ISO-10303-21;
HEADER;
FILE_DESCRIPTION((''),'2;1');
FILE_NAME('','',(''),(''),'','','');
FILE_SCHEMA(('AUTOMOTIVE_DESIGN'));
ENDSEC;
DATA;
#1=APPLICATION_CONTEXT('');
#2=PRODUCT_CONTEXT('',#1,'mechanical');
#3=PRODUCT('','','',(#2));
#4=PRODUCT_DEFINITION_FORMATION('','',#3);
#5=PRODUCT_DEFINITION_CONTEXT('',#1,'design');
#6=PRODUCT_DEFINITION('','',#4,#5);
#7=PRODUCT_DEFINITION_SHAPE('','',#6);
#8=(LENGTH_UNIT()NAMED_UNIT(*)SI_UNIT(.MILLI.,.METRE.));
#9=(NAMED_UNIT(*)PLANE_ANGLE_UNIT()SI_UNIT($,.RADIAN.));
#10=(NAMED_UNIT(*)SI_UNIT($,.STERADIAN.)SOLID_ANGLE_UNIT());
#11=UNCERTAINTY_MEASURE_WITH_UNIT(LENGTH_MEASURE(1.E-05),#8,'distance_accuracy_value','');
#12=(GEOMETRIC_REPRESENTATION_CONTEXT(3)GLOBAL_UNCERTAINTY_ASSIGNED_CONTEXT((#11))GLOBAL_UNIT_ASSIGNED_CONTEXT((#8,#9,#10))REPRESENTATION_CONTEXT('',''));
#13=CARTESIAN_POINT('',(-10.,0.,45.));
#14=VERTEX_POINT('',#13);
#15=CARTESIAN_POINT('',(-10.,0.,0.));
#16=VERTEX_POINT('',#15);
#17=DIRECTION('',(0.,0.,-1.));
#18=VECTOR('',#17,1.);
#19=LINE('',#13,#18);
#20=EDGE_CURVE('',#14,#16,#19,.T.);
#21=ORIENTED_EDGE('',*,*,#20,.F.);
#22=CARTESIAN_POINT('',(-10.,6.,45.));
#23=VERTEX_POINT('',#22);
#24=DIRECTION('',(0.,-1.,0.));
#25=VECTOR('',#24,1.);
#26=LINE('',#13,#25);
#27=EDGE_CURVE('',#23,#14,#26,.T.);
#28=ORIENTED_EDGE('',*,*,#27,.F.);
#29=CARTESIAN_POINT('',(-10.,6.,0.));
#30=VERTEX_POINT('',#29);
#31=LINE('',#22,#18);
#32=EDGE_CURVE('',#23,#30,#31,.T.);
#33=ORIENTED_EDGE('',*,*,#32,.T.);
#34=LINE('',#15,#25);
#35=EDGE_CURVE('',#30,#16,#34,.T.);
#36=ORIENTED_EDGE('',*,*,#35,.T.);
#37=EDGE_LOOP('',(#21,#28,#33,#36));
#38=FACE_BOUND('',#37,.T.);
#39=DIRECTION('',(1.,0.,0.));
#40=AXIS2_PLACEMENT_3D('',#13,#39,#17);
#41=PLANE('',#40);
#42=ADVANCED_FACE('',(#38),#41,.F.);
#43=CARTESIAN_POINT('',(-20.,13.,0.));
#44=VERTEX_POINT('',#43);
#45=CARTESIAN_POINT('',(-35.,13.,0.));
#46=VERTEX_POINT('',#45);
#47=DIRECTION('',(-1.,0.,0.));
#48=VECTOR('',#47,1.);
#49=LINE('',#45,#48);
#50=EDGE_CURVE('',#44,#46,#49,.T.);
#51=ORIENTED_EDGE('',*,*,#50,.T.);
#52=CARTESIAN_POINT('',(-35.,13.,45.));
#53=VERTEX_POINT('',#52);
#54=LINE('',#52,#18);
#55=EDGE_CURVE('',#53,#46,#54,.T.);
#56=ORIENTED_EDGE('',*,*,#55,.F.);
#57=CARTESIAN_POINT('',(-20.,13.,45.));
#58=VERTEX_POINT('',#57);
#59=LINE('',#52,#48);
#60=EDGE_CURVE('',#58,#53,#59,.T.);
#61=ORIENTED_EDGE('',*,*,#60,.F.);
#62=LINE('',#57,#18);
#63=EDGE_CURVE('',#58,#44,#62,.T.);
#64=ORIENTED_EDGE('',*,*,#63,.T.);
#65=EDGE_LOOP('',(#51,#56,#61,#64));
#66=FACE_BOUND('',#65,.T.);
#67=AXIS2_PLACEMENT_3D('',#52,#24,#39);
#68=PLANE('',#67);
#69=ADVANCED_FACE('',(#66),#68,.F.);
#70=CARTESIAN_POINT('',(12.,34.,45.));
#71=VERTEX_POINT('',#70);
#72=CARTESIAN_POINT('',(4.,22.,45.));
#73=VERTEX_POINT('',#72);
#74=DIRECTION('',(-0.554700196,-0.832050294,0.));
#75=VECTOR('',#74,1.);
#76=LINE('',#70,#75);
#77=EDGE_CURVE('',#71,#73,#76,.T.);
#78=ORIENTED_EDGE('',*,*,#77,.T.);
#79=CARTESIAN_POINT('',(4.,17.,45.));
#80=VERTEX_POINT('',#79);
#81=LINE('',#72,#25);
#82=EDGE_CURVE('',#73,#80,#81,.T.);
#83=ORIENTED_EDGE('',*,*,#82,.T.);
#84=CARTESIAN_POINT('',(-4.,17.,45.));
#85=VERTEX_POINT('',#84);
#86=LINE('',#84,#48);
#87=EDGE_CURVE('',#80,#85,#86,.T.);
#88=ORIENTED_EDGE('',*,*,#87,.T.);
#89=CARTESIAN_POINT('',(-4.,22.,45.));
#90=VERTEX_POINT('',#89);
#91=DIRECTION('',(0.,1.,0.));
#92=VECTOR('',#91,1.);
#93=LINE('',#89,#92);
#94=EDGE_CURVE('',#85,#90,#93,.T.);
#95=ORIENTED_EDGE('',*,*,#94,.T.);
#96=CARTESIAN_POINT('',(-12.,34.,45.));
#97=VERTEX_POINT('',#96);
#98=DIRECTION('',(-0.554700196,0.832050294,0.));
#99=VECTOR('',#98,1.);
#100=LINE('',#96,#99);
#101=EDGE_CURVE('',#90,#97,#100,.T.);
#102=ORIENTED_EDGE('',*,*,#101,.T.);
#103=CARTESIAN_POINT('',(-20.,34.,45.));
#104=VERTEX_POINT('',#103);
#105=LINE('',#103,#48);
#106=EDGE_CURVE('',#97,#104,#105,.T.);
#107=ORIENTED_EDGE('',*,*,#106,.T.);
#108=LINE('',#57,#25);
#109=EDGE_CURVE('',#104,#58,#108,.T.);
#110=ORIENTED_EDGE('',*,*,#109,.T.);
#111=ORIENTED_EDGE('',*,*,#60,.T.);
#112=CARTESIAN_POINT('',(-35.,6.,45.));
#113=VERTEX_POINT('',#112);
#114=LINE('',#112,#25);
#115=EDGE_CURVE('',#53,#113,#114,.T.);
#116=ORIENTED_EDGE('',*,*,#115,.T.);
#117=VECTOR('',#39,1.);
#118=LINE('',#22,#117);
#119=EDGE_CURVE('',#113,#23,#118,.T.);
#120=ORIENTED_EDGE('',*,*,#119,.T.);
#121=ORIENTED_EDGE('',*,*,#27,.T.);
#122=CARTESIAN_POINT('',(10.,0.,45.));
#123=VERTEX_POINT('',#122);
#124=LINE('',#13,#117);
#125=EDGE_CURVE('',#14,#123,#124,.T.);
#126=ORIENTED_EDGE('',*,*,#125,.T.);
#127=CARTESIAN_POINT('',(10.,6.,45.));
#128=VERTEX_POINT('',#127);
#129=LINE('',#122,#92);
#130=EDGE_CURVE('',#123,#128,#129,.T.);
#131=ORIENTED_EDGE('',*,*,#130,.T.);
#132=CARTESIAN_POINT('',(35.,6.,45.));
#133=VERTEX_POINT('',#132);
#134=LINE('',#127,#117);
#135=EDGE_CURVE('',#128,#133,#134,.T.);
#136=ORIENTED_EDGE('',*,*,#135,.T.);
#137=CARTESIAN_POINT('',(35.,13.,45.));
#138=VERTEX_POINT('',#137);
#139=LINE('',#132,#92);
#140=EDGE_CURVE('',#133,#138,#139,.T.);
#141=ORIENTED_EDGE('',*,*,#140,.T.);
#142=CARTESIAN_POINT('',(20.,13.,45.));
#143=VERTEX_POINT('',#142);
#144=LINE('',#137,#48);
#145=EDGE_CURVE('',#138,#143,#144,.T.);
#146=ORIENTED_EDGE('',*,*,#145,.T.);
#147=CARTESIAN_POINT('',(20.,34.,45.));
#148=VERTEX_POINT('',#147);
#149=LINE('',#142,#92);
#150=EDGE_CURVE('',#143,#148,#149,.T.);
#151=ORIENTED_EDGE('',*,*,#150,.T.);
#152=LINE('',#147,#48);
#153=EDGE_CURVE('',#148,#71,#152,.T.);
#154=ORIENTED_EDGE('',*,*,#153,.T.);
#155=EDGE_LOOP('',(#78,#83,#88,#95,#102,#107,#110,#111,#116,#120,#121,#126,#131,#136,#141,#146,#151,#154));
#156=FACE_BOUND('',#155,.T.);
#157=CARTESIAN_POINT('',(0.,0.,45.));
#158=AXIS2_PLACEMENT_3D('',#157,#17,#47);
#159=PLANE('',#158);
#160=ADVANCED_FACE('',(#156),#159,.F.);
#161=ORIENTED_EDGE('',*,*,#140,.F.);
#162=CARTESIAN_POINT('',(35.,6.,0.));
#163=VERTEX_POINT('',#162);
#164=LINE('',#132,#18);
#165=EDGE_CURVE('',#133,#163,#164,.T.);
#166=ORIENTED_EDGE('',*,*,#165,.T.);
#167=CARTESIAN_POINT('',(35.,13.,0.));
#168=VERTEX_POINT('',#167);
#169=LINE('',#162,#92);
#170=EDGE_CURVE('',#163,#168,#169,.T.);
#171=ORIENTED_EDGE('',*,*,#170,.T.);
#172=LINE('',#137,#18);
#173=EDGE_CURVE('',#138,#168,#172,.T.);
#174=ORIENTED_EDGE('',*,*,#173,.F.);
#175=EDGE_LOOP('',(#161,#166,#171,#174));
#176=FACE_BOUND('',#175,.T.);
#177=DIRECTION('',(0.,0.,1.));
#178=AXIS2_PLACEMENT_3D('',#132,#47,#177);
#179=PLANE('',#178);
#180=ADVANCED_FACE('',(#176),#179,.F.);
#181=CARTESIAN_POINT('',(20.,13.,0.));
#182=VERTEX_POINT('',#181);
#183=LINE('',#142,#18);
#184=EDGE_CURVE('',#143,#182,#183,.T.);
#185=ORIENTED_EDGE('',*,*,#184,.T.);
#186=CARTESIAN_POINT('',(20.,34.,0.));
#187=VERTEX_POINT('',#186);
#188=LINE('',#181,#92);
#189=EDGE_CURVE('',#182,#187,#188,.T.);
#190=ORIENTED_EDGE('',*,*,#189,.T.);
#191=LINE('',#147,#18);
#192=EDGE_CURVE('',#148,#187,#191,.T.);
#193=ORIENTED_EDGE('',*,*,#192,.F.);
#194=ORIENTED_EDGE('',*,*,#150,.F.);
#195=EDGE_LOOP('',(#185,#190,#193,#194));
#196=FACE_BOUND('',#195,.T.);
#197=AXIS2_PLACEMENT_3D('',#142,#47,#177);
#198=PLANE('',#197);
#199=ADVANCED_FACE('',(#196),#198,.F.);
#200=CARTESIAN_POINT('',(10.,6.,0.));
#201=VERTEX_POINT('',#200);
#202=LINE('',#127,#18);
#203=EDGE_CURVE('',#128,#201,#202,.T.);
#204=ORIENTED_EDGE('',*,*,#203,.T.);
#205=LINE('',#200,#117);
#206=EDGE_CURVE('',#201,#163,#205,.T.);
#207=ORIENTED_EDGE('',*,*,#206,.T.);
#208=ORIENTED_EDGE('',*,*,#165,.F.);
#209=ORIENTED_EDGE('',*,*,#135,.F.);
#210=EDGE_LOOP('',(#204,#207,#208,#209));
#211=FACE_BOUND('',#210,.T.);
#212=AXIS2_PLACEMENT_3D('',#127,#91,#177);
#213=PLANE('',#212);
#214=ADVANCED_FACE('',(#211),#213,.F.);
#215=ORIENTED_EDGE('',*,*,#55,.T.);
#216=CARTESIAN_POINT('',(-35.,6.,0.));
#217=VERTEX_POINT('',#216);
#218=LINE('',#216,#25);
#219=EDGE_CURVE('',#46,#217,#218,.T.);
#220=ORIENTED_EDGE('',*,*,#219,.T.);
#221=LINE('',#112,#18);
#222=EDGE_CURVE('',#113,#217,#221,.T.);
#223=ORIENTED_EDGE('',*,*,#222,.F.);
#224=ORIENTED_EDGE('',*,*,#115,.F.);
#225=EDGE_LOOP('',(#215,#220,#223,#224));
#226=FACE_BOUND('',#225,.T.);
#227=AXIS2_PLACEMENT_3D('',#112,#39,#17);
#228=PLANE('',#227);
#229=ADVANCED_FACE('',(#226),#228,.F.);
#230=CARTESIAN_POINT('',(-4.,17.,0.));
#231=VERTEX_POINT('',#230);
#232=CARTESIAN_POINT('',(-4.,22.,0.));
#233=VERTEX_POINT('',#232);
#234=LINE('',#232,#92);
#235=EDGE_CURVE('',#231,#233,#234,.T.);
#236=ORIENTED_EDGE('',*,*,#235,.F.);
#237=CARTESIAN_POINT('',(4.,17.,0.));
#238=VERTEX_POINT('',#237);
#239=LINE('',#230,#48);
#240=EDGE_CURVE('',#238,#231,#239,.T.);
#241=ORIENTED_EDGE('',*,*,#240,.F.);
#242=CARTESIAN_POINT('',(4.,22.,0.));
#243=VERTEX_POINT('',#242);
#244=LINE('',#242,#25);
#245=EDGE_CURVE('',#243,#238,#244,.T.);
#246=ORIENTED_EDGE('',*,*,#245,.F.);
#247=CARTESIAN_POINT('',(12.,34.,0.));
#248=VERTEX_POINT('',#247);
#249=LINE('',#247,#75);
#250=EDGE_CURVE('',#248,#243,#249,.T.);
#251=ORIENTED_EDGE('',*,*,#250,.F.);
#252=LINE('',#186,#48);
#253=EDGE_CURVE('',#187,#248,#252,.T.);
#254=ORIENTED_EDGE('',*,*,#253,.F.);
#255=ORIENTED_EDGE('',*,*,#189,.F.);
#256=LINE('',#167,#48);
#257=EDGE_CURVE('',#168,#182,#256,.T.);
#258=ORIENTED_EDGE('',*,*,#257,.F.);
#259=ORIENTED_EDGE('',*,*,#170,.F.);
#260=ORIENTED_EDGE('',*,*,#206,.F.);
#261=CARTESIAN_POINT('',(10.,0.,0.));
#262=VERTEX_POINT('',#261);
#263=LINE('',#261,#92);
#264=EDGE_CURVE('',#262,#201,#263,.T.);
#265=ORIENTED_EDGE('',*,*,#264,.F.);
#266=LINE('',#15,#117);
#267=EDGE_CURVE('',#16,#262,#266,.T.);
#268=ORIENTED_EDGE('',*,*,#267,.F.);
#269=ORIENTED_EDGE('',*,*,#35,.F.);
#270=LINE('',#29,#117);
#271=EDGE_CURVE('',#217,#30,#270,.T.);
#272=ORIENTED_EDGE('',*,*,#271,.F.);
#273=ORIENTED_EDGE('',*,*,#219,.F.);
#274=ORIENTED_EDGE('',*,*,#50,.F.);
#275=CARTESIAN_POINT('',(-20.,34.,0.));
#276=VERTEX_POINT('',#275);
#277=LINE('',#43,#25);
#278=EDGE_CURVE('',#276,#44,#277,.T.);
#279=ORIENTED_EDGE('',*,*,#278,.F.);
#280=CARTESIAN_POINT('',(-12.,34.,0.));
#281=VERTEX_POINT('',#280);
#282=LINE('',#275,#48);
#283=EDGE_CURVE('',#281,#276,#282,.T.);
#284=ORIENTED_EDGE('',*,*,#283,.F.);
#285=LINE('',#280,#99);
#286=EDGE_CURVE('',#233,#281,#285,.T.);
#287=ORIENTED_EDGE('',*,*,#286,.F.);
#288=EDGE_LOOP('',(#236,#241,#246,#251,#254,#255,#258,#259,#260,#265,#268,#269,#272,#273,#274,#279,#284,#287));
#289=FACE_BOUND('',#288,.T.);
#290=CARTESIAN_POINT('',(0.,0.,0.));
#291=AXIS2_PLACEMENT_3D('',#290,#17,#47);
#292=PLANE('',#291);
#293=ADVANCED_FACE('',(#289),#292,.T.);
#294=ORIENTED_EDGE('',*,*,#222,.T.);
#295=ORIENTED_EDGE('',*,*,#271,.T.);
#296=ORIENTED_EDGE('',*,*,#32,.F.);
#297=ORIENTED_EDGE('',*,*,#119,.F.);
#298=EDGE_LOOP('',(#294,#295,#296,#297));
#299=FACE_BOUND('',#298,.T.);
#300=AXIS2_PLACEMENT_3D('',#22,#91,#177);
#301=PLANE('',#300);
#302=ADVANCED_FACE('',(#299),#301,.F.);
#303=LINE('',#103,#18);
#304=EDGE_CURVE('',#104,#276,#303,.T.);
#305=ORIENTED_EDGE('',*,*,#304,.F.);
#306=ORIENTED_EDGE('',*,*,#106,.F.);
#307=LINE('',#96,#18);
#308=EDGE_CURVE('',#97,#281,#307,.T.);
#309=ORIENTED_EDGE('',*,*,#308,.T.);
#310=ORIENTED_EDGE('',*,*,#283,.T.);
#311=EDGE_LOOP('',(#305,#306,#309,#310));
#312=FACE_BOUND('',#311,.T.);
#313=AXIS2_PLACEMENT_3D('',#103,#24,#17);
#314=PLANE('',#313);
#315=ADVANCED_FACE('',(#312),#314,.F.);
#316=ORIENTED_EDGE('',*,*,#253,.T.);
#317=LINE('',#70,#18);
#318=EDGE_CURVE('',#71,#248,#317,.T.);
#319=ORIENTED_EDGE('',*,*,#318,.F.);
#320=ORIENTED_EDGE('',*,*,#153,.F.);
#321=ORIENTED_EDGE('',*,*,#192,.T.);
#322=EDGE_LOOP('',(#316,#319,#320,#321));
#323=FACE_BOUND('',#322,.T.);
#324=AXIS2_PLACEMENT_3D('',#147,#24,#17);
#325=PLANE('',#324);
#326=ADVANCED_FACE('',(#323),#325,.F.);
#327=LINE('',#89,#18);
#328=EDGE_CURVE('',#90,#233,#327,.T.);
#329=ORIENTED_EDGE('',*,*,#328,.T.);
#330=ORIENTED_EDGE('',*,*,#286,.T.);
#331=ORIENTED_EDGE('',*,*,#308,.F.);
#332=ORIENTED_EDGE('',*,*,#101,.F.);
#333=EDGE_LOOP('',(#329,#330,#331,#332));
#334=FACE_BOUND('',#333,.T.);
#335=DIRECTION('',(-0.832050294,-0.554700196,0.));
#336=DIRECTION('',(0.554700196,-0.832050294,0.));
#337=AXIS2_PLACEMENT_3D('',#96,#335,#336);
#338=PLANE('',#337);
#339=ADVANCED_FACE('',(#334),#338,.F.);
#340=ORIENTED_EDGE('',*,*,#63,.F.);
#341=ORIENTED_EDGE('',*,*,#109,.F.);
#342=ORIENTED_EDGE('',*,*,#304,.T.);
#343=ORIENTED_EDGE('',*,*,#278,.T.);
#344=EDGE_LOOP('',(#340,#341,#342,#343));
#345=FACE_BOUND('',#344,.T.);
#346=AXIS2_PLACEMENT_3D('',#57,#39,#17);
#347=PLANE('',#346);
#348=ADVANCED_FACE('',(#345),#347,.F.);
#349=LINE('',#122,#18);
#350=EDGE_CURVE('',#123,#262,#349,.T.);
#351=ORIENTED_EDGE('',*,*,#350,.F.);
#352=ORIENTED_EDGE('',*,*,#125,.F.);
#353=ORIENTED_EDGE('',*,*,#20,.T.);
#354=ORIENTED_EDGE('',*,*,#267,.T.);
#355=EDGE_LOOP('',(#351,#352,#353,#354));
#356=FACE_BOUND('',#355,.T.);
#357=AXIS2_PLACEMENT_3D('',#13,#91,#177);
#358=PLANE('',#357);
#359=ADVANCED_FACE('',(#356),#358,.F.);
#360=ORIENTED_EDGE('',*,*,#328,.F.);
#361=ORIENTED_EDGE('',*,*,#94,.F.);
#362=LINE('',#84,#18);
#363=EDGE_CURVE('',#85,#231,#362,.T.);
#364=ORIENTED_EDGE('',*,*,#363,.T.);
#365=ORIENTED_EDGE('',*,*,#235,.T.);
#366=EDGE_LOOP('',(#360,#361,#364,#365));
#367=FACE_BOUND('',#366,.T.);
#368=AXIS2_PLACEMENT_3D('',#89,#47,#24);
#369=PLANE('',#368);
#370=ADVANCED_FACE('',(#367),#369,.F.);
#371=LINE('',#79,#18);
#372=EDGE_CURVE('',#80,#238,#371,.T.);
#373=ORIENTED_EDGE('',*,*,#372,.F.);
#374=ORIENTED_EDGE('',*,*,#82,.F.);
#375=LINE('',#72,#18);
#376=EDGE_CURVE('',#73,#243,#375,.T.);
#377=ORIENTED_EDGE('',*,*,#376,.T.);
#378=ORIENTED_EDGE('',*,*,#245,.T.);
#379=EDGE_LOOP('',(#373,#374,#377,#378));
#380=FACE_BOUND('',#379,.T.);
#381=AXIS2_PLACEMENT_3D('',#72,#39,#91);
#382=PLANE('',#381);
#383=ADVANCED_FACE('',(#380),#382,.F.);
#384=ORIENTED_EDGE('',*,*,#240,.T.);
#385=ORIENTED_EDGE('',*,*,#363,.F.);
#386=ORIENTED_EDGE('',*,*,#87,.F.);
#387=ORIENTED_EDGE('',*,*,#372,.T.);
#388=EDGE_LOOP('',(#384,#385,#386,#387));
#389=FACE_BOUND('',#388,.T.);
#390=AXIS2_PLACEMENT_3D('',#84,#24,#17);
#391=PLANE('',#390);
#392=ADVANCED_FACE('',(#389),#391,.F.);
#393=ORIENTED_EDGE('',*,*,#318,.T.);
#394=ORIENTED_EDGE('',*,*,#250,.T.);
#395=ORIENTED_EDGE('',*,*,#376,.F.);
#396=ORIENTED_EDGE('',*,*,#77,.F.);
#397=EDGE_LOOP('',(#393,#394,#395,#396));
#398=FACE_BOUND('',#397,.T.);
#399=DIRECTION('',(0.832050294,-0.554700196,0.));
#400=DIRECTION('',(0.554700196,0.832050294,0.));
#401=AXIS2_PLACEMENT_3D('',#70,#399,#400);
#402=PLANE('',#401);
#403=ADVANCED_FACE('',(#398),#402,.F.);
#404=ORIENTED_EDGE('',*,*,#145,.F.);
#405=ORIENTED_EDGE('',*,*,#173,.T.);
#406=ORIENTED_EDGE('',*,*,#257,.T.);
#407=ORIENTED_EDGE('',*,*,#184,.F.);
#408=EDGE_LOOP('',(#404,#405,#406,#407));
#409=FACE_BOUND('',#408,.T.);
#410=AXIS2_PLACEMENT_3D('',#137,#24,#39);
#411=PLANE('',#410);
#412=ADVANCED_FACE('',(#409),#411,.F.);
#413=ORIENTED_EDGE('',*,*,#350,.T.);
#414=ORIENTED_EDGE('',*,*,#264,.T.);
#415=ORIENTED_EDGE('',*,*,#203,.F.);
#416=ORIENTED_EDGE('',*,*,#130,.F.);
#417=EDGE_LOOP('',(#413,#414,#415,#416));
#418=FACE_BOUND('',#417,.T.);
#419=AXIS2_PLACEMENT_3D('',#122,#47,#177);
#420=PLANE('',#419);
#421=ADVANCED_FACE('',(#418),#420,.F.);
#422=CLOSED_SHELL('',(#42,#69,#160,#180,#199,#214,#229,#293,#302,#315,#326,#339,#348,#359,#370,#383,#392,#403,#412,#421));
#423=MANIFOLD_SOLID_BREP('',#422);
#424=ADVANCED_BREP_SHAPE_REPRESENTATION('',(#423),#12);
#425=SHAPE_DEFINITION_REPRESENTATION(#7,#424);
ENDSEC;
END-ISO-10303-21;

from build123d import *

# Parameters (mm, degrees)
BOSS_EXTRUDE1_DEPTH = 45


with BuildPart() as part:
    # Sketch1 → Boss-Extrude1 (new body)
    with BuildSketch(Plane.XY):
        Polygon((-10, 0), (10, 0), (10, 6), (35, 6), (35, 13), (20, 13), (20, 34), (12, 34), (4, 22), (4, 17), (-4, 17), (-4, 22), (-12, 34), (-20, 34), (-20, 13), (-35, 13), (-35, 6), (-10, 6), align=None)
    extrude(amount=BOSS_EXTRUDE1_DEPTH)


solid = part.part
